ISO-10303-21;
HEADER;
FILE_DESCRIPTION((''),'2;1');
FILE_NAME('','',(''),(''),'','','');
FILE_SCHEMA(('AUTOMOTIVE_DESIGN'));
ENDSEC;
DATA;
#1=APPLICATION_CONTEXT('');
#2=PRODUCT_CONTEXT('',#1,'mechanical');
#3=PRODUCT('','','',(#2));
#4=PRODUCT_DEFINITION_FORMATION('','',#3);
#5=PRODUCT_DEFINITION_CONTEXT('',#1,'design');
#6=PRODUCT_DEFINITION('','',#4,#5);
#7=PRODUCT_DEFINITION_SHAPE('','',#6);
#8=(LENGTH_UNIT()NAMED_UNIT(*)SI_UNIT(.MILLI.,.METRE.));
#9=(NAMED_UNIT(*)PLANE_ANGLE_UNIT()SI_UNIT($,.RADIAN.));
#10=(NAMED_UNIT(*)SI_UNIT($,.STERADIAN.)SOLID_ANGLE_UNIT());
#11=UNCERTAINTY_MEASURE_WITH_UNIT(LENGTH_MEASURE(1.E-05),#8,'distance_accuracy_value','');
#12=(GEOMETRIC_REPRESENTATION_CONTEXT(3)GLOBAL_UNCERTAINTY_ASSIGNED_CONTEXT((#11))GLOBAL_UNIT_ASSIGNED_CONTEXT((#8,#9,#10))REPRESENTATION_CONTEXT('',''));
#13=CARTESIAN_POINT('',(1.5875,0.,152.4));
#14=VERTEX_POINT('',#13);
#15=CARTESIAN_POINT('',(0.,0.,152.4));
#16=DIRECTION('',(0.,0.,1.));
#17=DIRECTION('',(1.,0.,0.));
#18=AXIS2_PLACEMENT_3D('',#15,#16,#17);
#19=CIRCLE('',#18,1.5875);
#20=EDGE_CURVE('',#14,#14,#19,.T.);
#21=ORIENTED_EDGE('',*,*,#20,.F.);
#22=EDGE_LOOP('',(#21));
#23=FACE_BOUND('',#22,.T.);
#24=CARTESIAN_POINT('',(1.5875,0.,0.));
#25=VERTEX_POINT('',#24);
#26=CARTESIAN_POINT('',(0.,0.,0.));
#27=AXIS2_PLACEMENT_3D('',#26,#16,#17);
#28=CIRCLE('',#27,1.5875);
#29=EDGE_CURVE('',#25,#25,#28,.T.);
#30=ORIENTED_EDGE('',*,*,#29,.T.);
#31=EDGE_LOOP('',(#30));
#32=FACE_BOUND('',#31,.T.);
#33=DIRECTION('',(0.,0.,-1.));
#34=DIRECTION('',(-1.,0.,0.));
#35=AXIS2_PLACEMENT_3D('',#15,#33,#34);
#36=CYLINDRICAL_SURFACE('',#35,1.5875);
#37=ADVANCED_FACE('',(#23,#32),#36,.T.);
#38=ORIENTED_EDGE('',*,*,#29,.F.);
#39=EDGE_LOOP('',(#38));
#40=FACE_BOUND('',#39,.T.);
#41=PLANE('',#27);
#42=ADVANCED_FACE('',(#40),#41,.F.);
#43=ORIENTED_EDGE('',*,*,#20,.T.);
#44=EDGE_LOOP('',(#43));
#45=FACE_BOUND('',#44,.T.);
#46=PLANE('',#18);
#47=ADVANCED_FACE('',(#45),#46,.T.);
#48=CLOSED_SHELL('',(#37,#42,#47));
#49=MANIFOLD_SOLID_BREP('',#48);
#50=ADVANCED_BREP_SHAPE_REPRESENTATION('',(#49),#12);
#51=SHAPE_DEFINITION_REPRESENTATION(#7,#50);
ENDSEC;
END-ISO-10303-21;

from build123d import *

# Parameters (mm, degrees)
SKETCH1_R           = 1.5875
BOSS_EXTRUDE1_DEPTH = 152.4


with BuildPart() as part:
    # Sketch1 → Boss-Extrude1 (new body)
    with BuildSketch(Plane.XY):
        Circle(SKETCH1_R)
    extrude(amount=BOSS_EXTRUDE1_DEPTH)


solid = part.part
